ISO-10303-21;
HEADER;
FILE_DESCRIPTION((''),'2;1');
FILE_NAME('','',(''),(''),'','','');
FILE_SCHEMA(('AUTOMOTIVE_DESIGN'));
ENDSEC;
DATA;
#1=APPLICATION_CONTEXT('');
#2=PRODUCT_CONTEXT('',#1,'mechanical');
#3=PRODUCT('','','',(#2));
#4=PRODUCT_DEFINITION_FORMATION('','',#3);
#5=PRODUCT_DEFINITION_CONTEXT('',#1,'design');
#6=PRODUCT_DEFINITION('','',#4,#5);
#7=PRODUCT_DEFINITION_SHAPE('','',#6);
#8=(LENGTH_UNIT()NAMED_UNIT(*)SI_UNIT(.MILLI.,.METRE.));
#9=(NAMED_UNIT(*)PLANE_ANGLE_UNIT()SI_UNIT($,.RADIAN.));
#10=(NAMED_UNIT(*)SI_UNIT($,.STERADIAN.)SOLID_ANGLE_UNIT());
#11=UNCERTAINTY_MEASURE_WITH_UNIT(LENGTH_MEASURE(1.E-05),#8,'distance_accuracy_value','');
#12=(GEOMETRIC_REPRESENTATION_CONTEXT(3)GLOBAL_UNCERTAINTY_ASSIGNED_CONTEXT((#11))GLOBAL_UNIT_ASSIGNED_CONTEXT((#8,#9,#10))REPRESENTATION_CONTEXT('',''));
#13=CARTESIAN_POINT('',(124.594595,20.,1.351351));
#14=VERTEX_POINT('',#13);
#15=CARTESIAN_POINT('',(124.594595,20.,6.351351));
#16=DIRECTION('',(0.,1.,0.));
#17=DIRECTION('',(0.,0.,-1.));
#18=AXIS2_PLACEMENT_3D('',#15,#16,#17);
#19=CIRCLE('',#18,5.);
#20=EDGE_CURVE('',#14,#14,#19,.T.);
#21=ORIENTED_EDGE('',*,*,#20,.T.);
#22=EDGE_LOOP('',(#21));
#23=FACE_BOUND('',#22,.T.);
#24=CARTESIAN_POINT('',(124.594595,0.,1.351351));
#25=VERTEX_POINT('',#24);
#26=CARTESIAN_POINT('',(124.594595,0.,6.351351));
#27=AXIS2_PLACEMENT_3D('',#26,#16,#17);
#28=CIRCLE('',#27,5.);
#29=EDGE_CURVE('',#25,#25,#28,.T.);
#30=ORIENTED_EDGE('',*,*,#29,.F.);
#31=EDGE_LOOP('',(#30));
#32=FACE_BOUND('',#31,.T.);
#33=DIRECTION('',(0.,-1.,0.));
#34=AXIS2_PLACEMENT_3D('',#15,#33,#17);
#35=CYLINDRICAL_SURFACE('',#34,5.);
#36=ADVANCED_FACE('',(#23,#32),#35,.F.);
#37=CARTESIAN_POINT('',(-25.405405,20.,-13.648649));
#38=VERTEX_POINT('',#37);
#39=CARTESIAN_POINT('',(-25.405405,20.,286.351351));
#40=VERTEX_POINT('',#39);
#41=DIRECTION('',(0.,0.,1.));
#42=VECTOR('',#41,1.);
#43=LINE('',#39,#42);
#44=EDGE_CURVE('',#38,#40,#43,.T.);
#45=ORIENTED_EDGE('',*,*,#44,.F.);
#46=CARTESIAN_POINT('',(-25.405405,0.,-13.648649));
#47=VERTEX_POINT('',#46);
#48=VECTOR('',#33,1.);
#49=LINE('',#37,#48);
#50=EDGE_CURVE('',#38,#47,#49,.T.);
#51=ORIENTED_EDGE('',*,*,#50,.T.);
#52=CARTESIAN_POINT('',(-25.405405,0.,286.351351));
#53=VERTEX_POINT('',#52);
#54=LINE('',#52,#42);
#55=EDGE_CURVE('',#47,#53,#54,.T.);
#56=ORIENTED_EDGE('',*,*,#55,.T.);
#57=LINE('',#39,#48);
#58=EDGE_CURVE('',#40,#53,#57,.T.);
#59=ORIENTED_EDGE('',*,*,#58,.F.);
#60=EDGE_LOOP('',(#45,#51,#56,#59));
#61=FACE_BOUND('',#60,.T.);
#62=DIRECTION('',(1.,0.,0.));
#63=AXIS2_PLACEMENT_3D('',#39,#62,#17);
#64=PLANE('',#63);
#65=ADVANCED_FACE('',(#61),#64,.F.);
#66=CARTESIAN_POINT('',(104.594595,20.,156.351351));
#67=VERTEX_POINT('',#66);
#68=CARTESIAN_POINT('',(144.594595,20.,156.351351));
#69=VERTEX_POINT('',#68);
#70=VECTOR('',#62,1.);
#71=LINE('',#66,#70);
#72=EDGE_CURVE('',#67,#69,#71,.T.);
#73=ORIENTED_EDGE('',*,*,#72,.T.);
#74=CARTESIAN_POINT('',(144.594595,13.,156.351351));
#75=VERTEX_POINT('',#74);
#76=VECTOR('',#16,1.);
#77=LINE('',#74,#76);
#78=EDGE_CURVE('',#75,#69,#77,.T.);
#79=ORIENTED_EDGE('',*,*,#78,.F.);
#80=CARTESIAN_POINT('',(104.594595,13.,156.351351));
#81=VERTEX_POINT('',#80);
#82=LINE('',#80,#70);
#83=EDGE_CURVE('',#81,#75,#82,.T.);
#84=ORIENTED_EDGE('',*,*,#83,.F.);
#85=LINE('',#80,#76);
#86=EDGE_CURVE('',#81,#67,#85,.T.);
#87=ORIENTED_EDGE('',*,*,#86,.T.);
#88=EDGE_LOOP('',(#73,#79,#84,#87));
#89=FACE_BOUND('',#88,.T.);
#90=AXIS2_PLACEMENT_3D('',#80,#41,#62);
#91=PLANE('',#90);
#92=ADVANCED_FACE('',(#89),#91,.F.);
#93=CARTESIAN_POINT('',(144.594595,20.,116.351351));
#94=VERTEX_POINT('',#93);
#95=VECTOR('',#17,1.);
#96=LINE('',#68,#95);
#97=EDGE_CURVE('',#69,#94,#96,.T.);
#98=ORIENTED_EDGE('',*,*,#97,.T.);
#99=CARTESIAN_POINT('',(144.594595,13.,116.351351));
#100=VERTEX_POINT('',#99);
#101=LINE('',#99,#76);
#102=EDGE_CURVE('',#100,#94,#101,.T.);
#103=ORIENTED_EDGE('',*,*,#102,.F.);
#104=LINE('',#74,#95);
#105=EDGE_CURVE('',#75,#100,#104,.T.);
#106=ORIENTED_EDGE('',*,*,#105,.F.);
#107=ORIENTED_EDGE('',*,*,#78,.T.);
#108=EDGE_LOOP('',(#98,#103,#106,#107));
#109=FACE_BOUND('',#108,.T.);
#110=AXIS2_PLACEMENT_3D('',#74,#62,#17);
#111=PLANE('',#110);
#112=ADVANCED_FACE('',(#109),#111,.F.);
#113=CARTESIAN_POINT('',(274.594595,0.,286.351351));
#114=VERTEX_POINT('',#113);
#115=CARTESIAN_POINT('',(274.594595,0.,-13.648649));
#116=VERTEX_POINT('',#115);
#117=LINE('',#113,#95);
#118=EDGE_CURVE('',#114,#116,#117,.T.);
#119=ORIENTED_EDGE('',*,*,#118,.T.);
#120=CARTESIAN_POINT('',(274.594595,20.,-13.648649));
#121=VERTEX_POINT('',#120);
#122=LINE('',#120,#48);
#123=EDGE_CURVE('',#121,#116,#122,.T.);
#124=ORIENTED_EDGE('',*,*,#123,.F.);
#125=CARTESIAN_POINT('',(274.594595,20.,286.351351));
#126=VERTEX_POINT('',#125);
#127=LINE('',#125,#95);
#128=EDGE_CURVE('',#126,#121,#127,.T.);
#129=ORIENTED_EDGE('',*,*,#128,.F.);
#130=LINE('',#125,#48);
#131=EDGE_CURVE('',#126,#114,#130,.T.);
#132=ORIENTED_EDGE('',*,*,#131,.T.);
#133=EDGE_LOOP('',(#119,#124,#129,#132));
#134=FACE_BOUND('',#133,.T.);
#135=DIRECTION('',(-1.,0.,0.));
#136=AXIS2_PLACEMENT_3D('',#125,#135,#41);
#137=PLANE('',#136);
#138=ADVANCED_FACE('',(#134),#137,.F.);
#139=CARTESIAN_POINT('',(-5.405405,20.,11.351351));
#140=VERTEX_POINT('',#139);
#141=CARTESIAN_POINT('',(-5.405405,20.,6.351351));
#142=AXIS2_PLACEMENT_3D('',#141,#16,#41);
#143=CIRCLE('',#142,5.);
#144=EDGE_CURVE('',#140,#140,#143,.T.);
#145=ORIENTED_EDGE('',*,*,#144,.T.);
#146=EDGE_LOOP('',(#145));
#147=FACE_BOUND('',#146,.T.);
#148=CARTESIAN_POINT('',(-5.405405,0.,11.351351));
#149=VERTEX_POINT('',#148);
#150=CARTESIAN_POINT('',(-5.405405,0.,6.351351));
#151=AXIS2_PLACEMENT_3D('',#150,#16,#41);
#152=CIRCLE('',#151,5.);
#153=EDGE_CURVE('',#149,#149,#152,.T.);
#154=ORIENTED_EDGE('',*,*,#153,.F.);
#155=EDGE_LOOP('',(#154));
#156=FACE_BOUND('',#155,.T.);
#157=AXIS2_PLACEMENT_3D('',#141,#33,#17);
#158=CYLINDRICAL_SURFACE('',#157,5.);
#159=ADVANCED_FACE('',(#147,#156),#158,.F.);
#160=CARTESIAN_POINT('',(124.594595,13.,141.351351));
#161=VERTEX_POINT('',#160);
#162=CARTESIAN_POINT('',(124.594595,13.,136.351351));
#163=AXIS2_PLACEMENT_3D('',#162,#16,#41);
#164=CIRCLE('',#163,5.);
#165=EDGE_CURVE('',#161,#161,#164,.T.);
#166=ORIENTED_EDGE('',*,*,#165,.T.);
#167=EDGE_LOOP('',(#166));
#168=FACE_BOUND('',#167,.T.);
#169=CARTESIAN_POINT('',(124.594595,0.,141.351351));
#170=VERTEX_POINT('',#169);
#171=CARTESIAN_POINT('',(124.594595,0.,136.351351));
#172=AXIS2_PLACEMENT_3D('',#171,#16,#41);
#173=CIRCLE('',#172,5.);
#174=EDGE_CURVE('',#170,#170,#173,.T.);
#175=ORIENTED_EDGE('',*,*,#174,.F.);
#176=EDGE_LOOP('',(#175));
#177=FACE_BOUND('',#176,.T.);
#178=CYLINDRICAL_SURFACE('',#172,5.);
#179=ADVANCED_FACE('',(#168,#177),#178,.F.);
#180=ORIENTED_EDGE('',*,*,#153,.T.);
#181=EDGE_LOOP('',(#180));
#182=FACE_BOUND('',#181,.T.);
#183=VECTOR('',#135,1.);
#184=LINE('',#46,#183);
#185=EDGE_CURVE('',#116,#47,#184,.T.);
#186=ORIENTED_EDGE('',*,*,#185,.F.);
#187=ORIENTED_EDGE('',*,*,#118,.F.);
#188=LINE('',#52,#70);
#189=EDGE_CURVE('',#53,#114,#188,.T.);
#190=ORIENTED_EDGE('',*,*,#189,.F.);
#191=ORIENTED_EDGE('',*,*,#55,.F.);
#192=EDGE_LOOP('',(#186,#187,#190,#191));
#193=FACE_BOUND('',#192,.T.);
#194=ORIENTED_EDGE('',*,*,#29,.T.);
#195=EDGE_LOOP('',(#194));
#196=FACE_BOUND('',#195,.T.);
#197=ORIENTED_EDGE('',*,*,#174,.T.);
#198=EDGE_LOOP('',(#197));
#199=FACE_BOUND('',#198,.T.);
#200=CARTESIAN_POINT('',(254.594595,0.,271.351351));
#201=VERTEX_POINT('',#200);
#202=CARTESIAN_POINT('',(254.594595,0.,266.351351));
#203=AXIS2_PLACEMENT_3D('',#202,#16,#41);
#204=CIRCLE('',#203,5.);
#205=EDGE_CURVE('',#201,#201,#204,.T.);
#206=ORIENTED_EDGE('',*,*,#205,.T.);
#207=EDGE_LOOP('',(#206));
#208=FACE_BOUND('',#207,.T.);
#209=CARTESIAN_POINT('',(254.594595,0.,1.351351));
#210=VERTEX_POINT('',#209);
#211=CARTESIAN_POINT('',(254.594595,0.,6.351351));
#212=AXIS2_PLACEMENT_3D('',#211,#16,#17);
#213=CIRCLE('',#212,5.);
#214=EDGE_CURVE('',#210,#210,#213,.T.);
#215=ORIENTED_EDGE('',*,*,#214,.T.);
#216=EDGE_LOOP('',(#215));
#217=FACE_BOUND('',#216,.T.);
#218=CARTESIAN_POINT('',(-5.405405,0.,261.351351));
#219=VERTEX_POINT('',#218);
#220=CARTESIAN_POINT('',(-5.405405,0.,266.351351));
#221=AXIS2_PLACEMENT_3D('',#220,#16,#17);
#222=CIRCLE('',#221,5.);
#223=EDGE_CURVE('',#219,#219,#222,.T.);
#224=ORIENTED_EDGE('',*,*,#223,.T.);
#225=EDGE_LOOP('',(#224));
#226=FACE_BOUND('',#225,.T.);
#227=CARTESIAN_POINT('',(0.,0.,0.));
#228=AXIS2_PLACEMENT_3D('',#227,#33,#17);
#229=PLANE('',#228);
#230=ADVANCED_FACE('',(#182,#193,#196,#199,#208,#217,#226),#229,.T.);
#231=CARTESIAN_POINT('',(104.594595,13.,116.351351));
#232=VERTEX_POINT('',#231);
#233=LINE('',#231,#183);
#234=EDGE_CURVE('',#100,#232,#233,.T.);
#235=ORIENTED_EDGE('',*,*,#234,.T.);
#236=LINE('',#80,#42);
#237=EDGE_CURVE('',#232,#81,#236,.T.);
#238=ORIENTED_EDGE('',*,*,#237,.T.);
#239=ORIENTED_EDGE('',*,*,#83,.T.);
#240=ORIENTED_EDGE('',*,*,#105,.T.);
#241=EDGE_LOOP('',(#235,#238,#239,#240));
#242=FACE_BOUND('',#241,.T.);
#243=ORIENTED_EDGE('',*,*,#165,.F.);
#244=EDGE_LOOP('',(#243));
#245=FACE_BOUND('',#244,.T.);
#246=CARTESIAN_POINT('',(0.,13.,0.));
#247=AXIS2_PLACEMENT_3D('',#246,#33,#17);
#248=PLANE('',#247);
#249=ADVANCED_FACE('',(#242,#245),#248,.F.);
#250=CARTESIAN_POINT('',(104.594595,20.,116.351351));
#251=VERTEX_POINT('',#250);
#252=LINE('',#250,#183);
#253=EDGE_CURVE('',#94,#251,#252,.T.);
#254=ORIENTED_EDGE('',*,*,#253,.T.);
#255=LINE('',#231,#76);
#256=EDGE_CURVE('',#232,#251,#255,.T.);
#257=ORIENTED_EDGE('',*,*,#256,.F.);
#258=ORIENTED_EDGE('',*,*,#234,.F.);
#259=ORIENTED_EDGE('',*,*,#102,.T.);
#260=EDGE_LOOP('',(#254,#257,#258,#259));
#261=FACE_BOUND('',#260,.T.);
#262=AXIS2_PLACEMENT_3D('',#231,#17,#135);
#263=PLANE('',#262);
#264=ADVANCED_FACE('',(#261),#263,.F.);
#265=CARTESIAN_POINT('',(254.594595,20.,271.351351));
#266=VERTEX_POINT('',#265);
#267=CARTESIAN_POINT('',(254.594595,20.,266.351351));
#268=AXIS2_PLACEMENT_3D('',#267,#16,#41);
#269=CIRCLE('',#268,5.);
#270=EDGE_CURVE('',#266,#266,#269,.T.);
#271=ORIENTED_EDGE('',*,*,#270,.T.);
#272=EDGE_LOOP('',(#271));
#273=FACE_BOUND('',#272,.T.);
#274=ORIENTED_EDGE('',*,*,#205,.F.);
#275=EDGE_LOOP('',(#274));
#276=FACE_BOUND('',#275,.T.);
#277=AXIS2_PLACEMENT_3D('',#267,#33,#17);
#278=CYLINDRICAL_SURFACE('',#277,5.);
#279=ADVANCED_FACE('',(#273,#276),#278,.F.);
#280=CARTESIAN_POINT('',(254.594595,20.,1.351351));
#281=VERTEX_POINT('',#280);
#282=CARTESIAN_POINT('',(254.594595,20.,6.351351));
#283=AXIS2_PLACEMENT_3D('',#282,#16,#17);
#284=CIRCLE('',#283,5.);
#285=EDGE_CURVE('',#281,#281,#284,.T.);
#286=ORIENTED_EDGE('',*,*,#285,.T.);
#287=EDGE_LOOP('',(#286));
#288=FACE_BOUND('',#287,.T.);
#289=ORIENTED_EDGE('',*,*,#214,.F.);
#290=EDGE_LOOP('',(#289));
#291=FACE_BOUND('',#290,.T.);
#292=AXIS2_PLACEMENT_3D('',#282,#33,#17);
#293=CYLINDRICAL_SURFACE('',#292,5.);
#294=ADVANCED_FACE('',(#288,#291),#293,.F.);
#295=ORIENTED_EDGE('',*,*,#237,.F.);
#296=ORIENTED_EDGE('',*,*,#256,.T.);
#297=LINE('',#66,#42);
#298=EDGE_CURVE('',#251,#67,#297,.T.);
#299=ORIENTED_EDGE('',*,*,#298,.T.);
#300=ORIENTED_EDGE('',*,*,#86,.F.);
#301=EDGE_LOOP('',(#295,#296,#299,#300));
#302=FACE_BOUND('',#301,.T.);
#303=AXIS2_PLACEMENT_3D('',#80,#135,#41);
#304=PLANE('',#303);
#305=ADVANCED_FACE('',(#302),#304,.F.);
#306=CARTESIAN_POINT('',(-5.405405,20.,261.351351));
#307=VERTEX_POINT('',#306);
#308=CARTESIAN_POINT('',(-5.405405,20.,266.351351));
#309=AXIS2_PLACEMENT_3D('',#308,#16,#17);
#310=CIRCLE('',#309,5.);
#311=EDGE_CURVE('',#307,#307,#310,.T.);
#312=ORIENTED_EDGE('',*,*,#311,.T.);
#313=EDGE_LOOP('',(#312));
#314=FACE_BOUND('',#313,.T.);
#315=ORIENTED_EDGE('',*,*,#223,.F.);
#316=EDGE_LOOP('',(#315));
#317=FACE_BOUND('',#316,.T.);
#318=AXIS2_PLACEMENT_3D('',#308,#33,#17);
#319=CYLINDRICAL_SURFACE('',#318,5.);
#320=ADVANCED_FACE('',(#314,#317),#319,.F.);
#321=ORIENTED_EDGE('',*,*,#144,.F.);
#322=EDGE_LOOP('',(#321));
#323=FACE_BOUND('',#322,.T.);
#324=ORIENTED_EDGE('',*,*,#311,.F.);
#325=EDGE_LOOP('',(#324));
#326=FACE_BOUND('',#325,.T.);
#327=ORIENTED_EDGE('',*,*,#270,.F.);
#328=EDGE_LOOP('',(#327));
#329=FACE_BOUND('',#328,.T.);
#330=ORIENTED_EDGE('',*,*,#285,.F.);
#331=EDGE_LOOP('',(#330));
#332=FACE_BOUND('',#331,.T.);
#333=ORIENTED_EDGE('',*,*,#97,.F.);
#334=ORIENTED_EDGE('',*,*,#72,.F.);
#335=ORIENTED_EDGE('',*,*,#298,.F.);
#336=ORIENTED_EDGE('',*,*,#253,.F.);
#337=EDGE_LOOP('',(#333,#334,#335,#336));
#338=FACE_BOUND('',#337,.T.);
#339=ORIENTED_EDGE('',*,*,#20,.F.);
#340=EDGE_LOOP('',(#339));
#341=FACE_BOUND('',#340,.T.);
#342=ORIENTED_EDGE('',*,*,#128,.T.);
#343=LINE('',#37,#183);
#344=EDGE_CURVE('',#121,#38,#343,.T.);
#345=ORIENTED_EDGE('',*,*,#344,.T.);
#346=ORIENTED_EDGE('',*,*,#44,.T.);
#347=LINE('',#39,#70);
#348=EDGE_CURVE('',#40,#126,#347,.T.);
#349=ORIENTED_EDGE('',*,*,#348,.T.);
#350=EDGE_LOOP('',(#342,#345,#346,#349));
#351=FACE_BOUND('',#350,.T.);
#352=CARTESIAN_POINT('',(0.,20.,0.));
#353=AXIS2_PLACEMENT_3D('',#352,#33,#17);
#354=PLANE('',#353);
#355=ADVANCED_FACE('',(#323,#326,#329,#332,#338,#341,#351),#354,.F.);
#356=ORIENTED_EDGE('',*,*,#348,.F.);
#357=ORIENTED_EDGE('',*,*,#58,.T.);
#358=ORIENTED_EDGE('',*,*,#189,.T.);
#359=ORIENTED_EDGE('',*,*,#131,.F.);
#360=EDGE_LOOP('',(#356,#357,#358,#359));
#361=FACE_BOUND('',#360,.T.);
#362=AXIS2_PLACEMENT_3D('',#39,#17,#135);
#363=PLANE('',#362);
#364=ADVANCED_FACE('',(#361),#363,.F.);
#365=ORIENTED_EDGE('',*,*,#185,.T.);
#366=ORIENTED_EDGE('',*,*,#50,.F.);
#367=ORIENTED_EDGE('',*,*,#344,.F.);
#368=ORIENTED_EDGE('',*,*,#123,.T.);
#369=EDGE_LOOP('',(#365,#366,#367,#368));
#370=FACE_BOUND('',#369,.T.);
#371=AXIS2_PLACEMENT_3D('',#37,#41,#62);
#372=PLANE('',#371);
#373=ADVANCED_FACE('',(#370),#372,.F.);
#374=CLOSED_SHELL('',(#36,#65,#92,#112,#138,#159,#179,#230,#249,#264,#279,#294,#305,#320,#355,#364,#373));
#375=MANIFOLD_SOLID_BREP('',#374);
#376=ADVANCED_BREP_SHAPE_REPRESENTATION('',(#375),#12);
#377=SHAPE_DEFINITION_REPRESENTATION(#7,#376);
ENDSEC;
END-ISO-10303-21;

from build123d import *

# Parameters (mm, degrees)
ESBO_O1_W                = 300
ESBO_O1_H                = 300
ESBO_O1_R                = 5
RESSALTO_EXTRUS_O1_DEPTH = 20
ESBO_O2_W                = 40
ESBO_O2_H                = 40
CORTE_EXTRUS_O1_DEPTH    = 7
ESBO_O3_R                = 5
CORTE_EXTRUS_O2_DEPTH    = 397.948721879


with BuildPart() as part:
    # Esboço1 → Ressalto-extrusão1 (new body)
    with BuildSketch(Plane(origin=(0, 0, 0), x_dir=(1, 0, 0), z_dir=(0, 1, 0))):
        with Locations((124.594594595, -136.351351351)):
            Rectangle(ESBO_O1_W, ESBO_O1_H)
        with Locations(Location((-5.405405405, -6.351351351, 0), (0, 0, 270))):
            Circle(ESBO_O1_R, mode=Mode.SUBTRACT)
        with Locations(Location((254.594594595, -6.351351351, 0), (0, 0, 90))):
            Circle(ESBO_O1_R, mode=Mode.SUBTRACT)
        with Locations(Location((254.594594595, -266.351351351, 0), (0, 0, 270))):
            Circle(ESBO_O1_R, mode=Mode.SUBTRACT)
        with Locations(Location((-5.405405405, -266.351351351, 0), (0, 0, 90))):
            Circle(ESBO_O1_R, mode=Mode.SUBTRACT)
        with Locations(Location((124.594594595, -6.351351351, 0), (0, 0, 90))):
            Circle(ESBO_O1_R, mode=Mode.SUBTRACT)
    extrude(amount=RESSALTO_EXTRUS_O1_DEPTH)

    # Esboço2 → Corte-extrusão1 (cut)
    with BuildSketch(Plane(origin=(0, 20, 0), x_dir=(1, 0, 0), z_dir=(0, 1, 0))):
        with Locations((124.594594595, -136.351351351)):
            Rectangle(ESBO_O2_W, ESBO_O2_H)
    extrude(amount=-CORTE_EXTRUS_O1_DEPTH, mode=Mode.SUBTRACT)

    # Esboço3 → Corte-extrusão2 (cut, through all)
    with BuildSketch(Plane(origin=(0, 13, 0), x_dir=(1, 0, 0), z_dir=(0, 1, 0))):
        with Locations(Location((124.594594595, -136.351351351, 0), (0, 0, 270))):
            Circle(ESBO_O3_R)
    extrude(amount=-CORTE_EXTRUS_O2_DEPTH, mode=Mode.SUBTRACT)


solid = part.part
